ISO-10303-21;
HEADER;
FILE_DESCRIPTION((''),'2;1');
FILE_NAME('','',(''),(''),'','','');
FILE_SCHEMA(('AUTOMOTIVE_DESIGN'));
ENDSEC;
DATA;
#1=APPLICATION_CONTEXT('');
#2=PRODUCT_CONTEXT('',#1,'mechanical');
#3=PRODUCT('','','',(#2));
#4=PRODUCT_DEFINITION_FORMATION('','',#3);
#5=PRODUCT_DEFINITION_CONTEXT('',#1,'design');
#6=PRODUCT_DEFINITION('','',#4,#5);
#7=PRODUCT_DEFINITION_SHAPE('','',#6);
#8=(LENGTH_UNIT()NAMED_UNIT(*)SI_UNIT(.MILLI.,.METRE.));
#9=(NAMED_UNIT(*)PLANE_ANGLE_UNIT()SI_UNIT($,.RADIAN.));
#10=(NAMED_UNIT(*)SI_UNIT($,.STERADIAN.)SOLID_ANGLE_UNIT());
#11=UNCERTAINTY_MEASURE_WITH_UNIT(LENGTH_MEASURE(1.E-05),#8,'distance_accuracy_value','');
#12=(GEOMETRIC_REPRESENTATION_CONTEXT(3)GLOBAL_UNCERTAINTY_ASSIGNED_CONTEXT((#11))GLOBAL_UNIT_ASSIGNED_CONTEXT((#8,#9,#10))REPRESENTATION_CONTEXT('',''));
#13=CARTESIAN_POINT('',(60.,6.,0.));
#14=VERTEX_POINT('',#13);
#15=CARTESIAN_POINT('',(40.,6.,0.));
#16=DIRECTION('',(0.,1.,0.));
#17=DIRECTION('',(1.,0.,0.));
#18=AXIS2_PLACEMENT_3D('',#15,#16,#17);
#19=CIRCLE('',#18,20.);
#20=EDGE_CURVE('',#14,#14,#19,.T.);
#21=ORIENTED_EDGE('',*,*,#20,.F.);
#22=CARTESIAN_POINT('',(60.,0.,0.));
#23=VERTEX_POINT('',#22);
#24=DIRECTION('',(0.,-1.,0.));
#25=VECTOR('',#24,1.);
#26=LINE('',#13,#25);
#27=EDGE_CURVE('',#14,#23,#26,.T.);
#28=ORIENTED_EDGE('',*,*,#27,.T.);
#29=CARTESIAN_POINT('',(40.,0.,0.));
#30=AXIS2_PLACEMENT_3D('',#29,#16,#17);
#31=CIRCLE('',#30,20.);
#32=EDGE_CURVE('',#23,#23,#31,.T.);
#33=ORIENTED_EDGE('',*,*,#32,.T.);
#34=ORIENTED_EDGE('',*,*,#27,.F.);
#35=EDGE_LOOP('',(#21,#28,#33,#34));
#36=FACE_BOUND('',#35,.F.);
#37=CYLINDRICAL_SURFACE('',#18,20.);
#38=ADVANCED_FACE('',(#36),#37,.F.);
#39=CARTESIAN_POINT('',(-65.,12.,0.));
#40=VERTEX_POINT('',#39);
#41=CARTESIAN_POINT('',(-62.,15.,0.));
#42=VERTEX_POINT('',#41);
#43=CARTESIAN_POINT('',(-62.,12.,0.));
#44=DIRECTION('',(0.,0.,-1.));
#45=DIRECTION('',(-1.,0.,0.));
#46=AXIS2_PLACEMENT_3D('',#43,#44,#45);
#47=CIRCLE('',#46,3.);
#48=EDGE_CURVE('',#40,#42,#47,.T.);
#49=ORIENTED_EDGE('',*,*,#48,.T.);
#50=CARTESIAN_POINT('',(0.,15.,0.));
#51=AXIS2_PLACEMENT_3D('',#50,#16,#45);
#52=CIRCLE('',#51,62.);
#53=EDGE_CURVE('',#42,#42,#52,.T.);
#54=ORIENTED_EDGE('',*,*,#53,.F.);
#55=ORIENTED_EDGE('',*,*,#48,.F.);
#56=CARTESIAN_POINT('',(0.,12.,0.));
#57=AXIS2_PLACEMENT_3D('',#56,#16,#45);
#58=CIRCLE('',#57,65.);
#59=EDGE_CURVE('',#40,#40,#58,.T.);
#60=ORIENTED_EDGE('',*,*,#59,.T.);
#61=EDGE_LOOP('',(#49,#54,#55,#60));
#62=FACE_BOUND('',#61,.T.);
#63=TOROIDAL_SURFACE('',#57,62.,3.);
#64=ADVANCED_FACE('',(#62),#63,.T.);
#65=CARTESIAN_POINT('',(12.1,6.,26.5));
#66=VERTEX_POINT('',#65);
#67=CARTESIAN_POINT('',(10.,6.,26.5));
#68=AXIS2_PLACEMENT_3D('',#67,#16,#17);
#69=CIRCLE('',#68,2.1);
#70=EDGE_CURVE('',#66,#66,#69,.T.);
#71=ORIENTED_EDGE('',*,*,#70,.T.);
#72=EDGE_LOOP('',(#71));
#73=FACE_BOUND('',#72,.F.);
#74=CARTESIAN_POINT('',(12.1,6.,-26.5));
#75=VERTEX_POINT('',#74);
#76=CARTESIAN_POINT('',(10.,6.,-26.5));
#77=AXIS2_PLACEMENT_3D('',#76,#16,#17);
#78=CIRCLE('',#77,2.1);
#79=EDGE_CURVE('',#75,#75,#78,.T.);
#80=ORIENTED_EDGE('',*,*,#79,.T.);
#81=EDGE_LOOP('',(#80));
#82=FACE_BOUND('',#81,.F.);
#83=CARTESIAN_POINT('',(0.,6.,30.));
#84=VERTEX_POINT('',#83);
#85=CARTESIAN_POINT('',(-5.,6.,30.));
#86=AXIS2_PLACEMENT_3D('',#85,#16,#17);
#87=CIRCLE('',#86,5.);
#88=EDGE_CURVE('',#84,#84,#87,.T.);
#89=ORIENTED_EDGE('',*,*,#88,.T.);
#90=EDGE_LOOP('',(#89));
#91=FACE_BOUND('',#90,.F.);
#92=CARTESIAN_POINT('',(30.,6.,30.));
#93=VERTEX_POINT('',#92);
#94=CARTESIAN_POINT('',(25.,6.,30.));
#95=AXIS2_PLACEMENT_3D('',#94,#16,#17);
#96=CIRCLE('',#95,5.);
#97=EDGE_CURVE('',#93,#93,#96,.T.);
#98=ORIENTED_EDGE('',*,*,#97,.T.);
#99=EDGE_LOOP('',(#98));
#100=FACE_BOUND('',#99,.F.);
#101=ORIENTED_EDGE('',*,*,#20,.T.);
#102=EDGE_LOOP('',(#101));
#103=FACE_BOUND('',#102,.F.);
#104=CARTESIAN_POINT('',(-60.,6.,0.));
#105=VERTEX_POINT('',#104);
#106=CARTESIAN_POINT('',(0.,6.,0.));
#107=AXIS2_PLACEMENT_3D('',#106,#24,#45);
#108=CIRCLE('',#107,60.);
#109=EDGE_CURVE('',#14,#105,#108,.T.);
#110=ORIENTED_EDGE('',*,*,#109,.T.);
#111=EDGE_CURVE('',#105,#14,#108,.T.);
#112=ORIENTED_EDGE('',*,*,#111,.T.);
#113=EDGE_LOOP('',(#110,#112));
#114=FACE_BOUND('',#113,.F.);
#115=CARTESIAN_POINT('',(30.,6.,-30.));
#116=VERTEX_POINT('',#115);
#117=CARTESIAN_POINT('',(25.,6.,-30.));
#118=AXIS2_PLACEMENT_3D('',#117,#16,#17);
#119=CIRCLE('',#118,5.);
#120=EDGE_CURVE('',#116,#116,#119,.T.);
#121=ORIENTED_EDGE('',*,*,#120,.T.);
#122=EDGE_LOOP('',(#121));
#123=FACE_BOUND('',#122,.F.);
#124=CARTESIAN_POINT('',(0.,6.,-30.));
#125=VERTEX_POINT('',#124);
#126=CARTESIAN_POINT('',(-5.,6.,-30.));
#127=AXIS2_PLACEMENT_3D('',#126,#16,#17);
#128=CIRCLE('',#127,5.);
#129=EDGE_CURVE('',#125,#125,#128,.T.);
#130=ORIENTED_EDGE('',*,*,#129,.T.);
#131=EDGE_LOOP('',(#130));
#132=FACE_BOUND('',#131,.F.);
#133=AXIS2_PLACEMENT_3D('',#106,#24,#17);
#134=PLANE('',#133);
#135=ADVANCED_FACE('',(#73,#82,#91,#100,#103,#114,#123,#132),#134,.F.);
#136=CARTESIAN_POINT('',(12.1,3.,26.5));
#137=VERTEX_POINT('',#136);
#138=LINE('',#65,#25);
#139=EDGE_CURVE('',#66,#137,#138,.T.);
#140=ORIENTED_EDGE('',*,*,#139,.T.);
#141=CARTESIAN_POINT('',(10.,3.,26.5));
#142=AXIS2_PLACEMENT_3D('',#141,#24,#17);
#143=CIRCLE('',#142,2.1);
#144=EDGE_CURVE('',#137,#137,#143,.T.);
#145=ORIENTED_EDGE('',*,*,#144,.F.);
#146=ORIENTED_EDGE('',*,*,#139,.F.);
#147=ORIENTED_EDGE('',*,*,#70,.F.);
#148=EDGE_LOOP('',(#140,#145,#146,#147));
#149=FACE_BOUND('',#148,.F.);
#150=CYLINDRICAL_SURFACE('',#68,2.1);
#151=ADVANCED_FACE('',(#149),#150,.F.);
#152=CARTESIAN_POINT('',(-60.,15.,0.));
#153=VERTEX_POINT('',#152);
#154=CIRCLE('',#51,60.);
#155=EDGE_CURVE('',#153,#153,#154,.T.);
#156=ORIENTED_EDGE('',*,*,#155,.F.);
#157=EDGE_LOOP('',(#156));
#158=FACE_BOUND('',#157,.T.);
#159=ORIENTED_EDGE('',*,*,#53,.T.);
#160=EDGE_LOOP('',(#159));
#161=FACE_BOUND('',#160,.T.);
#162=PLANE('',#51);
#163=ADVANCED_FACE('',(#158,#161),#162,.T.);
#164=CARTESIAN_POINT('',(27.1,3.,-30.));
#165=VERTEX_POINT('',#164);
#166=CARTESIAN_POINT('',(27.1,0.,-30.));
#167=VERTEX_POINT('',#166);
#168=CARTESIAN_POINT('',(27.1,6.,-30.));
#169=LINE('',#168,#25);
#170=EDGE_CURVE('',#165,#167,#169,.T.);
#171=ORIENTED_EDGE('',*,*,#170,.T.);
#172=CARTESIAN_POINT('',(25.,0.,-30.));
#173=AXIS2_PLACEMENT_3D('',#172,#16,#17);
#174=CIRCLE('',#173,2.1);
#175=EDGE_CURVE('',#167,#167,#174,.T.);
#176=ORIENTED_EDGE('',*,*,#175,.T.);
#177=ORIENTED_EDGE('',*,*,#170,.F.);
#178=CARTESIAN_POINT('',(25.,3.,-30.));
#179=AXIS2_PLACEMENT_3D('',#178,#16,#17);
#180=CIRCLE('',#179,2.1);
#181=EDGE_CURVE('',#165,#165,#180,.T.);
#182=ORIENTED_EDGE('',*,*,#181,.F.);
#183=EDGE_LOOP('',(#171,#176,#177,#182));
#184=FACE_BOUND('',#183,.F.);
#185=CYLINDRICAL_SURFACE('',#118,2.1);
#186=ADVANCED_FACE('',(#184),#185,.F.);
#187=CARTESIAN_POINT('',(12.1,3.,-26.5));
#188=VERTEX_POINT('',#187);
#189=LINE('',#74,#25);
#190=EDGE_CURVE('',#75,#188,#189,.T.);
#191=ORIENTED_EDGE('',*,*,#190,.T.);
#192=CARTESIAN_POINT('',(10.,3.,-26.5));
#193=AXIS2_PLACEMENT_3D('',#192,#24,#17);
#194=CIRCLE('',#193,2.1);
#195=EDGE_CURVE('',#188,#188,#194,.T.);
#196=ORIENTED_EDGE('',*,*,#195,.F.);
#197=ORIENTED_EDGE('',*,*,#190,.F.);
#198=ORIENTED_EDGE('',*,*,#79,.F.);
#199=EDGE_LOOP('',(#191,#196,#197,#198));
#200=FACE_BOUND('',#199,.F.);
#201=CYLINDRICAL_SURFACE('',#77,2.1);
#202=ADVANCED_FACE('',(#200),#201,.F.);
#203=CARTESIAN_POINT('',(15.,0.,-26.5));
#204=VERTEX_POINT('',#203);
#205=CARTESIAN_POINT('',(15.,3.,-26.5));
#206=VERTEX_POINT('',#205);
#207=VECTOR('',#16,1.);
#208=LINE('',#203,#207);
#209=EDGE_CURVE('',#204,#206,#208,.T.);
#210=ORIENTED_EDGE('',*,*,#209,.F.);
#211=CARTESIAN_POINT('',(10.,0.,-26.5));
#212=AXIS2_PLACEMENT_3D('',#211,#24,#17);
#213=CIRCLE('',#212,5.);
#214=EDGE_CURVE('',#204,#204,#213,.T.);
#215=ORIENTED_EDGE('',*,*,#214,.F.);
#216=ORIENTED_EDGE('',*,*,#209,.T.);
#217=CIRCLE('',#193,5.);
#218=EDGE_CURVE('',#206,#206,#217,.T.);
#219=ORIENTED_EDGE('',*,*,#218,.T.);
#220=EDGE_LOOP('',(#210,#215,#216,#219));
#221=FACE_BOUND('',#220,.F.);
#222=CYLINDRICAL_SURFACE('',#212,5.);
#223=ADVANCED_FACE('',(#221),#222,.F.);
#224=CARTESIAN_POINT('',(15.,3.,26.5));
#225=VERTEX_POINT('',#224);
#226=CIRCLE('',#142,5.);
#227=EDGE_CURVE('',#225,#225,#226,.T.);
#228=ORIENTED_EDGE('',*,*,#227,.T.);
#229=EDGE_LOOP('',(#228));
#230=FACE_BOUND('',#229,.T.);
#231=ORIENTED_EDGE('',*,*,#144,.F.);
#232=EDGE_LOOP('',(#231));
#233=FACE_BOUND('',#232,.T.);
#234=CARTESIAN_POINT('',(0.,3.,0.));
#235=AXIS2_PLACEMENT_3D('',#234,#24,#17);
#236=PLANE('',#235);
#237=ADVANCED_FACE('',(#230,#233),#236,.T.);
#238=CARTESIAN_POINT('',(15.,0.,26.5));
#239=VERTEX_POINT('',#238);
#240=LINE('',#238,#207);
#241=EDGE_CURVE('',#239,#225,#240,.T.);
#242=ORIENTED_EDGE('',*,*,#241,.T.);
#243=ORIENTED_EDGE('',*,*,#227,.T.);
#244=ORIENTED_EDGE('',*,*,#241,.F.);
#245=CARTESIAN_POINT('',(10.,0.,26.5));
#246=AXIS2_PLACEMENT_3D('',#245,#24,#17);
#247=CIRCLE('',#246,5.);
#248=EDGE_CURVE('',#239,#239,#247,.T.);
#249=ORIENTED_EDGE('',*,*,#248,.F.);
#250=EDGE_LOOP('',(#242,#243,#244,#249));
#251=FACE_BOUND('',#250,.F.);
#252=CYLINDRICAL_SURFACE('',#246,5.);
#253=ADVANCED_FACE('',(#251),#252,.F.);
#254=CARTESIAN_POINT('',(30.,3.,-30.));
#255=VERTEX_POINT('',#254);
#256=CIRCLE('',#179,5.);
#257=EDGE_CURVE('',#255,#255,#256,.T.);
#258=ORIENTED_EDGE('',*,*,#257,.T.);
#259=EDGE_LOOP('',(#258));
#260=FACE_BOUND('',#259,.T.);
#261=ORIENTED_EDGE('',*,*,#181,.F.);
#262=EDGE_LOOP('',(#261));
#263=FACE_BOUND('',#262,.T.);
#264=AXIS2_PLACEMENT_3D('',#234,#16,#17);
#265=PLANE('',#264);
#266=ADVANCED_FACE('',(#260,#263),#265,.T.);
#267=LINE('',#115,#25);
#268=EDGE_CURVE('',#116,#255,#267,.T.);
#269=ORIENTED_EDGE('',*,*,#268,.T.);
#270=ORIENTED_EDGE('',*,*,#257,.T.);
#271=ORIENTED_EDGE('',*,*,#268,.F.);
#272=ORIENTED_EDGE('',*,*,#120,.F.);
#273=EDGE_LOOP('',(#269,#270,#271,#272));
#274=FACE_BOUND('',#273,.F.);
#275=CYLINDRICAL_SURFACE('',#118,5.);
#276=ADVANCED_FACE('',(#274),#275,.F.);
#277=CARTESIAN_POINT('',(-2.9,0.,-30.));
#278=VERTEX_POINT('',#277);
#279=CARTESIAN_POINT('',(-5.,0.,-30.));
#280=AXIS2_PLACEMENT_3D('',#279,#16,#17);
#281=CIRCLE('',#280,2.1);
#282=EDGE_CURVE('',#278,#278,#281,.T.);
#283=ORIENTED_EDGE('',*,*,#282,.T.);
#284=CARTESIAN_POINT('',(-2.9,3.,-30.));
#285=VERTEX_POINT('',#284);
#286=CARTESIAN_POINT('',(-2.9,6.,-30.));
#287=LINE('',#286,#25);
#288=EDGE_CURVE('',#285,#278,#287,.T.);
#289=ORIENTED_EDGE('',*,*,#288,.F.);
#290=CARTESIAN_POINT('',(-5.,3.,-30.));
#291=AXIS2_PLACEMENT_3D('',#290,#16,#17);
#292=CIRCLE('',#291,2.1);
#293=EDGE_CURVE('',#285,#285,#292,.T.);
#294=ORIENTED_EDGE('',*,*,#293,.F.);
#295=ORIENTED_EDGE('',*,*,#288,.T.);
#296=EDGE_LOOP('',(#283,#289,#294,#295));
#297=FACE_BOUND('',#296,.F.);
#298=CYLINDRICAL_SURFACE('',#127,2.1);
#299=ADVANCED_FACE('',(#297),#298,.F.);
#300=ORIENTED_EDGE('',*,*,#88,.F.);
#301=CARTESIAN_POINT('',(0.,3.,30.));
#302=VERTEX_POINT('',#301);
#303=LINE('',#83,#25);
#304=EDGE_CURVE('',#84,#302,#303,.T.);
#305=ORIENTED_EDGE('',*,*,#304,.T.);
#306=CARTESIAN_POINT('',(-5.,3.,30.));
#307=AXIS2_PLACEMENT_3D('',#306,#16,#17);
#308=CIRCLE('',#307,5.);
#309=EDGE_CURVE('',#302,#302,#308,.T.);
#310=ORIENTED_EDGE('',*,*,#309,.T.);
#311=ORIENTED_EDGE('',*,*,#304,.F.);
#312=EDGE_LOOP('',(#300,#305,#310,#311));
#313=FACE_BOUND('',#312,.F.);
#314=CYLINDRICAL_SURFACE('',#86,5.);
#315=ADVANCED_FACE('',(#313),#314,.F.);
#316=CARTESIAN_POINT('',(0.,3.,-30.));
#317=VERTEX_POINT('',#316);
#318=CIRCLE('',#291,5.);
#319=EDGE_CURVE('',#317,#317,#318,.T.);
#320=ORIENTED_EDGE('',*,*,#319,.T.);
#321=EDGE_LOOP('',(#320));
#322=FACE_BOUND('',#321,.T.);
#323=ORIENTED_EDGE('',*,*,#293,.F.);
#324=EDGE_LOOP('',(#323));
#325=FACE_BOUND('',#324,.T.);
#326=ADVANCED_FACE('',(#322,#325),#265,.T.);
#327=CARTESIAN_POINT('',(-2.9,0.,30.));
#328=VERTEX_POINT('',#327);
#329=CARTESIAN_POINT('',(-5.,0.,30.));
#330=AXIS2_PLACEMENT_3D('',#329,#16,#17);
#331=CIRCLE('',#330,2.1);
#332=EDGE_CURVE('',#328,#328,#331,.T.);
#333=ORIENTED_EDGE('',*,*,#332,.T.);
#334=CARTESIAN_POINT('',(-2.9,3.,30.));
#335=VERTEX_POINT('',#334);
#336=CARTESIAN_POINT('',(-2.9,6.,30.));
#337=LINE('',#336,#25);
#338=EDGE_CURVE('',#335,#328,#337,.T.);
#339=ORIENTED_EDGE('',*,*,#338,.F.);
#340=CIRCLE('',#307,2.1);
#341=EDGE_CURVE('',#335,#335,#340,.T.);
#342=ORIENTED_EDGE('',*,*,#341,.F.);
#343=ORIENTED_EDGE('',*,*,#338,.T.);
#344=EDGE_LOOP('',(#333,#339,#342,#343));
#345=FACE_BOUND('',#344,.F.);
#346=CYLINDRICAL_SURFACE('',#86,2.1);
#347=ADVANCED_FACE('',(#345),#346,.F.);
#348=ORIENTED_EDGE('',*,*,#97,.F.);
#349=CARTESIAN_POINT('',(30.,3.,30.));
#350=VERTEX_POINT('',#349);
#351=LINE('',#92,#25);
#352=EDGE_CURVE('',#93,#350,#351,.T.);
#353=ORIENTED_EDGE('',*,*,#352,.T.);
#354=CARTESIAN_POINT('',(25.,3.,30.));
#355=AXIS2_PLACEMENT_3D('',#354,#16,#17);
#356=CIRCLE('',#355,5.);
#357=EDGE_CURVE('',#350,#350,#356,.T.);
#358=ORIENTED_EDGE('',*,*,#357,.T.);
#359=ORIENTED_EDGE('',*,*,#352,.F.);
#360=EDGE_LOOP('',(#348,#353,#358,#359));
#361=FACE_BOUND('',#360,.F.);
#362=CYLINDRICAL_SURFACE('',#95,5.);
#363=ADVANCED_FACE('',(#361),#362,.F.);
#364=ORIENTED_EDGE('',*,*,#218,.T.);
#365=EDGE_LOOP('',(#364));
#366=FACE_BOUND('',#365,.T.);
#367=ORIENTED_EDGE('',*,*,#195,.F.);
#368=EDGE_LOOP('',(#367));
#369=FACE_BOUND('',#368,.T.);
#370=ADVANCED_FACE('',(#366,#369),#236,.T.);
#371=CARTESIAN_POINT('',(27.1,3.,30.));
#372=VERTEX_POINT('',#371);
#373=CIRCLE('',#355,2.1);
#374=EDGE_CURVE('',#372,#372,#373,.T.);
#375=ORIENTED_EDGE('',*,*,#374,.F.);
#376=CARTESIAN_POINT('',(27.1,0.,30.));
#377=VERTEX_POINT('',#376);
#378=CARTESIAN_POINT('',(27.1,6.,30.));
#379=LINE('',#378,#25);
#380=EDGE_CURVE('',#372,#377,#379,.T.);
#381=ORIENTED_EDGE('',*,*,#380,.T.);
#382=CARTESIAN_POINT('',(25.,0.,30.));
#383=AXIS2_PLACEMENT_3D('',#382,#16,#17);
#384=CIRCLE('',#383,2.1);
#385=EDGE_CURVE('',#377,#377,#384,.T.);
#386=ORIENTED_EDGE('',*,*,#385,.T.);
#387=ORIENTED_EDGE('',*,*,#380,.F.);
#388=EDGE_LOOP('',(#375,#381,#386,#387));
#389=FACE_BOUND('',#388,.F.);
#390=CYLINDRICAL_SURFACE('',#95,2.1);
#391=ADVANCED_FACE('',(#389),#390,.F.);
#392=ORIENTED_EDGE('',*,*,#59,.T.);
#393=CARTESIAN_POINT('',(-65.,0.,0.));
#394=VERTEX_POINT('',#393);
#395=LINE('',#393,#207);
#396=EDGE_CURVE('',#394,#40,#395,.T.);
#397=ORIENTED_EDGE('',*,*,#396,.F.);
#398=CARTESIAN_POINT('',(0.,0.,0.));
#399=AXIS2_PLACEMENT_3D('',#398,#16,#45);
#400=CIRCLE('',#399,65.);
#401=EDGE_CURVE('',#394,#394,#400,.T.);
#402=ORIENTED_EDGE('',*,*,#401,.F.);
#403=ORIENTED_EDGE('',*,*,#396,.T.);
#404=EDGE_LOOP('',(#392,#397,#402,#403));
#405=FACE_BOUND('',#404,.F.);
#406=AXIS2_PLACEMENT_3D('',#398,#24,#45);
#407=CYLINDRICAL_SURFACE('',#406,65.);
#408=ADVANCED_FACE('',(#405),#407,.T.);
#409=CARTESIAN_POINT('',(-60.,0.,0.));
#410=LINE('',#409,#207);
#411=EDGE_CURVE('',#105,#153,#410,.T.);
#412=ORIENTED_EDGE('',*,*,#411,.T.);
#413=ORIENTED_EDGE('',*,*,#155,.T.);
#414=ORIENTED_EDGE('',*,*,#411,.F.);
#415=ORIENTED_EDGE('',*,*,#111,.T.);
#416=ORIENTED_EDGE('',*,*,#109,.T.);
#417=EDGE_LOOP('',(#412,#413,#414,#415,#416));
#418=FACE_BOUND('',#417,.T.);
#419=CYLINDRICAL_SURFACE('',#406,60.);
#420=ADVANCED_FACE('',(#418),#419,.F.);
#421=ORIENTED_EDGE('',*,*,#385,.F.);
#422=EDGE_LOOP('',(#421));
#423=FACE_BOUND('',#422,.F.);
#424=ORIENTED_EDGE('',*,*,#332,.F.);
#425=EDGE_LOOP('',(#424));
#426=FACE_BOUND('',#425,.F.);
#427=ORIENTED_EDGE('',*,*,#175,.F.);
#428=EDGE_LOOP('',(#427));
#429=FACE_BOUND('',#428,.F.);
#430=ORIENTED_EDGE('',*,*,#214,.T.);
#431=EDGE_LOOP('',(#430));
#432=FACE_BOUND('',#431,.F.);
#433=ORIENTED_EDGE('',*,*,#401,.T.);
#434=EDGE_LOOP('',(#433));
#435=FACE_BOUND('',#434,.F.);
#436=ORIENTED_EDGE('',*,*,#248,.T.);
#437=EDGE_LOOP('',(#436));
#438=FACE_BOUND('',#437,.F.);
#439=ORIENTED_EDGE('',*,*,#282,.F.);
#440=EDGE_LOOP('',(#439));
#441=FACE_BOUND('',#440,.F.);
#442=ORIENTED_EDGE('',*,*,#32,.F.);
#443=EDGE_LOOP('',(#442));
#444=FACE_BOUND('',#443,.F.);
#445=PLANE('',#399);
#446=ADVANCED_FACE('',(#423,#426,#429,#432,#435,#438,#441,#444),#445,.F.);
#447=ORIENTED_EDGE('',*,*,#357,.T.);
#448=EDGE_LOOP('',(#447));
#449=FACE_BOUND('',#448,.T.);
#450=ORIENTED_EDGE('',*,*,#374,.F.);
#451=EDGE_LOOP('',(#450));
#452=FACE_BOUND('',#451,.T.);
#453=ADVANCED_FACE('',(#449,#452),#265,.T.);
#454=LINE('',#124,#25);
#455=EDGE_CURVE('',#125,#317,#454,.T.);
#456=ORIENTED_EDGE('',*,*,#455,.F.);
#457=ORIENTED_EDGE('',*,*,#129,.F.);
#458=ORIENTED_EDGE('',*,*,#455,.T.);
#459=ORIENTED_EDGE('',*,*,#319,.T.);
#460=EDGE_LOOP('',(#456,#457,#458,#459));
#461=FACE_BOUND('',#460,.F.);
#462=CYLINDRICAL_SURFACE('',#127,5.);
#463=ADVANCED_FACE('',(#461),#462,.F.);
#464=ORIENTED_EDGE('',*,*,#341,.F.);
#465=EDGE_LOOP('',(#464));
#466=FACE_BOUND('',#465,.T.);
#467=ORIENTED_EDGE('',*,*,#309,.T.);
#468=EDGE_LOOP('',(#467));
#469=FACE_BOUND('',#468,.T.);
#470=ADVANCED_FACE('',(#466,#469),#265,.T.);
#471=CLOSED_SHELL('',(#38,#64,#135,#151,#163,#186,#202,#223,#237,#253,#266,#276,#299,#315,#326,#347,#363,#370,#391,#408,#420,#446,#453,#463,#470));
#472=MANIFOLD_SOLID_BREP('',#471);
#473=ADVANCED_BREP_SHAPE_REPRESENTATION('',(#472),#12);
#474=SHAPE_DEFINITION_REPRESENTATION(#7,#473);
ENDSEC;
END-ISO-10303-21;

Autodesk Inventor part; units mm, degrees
ref_plane "YZ Plane" through (0, 0, 0) normal (1, 0, 0) x (0, 1, 0)
ref_plane "XZ Plane" through (0, 0, 0) normal (0, 1, 0) x (-1, 0, 0)
ref_plane "XY Plane" through (0, 0, 0) normal (0, 0, 1) x (1, 0, 0)
sketch "Sketch1" plane through (0, 0, 0) normal (0, 1, 0) x (-1, 0, 0)
  circle A0 centre (0, 0) radius 60
  circle A1 centre (0, 0) radius 65
  dimension "d0" = 120
  dimension "d1" = 130
extrude "Extrusion1" add sketch "Sketch1" along normal blind 15
sketch "Sketch4" plane through (0, 0, 0) normal (0, -1, 0) x (1, 0, 0)
  circle A0 centre (0, 0) radius 60 projected
  circle A1 centre (0, 0) radius 60
extrude "Extrusion4" add sketch "Sketch4" against normal blind 6
sketch "Sketch5" plane through (0, 6, 0) normal (0, 1, 0) x (1, 0, 0)
  circle A0 centre (25, -30) radius 2.1
  circle A1 centre (25, 30) radius 2.1
  circle A2 centre (-5, 30) radius 2.1
  circle A3 centre (-5, -30) radius 2.1
  point P0 (0, 0)
  dimension "d19" = 4.2
  dimension "d20" = 4.2
  dimension "d21" = 4.2
  dimension "d22" = 4.2
  dimension "d23" = 30
  dimension "d24" = 30
  dimension "d25" = 5
  dimension "d26" = 25
extrude "Extrusion5" cut sketch "Sketch5" against normal blind 6
sketch "Sketch6" plane through (0, 6, 0) normal (0, 1, 0) x (1, 0, 0)
  circle A0 centre (10, -26.5) radius 2.1
  circle A1 centre (10, 26.5) radius 2.1
  point P0 (0, 0)
  dimension "d29" = 4.2
  dimension "d30" = 4.2
  dimension "d51" = 26.5
  dimension "d52" = 26.5
  dimension "d54" = 10
extrude "Extrusion6" cut sketch "Sketch6" against normal blind 6
sketch "Sketch7" plane through (0, 6, 0) normal (0, 1, 0) x (1, 0, 0)
  circle A0 centre (40, 0) radius 20
  point P0 (0, 0)
  dimension "d35" = 40
  dimension "d39" = 40
extrude "Extrusion7" cut sketch "Sketch7" against normal blind 6
sketch "Sketch8" plane through (0, 6, 0) normal (0, 1, 0) x (1, 0, 0)
  circle A0 centre (0, 0) radius 60 projected
  circle A1 centre (40, 0) radius 20 projected
  circle A2 centre (25, 30) radius 2.1 projected
  circle A3 centre (-5, 30) radius 2.1 projected
  circle A4 centre (25, -30) radius 2.1 projected
  circle A5 centre (-5, -30) radius 2.1 projected
  circle A6 centre (10, 26.5) radius 2.1 projected
  circle A7 centre (10, -26.5) radius 2.1 projected
  circle A8 centre (25, 30) radius 5
  circle A9 centre (25, -30) radius 5
  circle A10 centre (-5, 30) radius 5
  circle A11 centre (-5, -30) radius 5
  point P0 (60, 0)
  dimension "d40" = 10
  dimension "d41" = 10
  dimension "d42" = 10
  dimension "d43" = 10
extrude "Extrusion8" cut sketch "Sketch8" against normal blind 3 contours A8 | A9 | A10 | A11
sketch "Sketch9" plane through (0, 0, 0) normal (0, -1, 0) x (1, 0, 0)
  circle A0 centre (40, 0) radius 20 projected
  circle A1 centre (10, 26.5) radius 2.1 projected
  circle A2 centre (10, -26.5) radius 2.1 projected
  circle A3 centre (-5, 30) radius 2.1 projected
  circle A4 centre (25, 30) radius 2.1 projected
  circle A5 centre (-5, -30) radius 2.1 projected
  circle A6 centre (25, -30) radius 2.1 projected
  circle A7 centre (0, 0) radius 65 projected
  circle A8 centre (10, 26.5) radius 5
  circle A9 centre (10, -26.5) radius 5
  dimension "d46" = 10
  dimension "d47" = 10
extrude "Extrusion9" cut sketch "Sketch9" against normal blind 3 contours A8 | A9
fillet "Fillet1" radius 3 1 edges at (65, 15, 0)
properties part number "siren"
